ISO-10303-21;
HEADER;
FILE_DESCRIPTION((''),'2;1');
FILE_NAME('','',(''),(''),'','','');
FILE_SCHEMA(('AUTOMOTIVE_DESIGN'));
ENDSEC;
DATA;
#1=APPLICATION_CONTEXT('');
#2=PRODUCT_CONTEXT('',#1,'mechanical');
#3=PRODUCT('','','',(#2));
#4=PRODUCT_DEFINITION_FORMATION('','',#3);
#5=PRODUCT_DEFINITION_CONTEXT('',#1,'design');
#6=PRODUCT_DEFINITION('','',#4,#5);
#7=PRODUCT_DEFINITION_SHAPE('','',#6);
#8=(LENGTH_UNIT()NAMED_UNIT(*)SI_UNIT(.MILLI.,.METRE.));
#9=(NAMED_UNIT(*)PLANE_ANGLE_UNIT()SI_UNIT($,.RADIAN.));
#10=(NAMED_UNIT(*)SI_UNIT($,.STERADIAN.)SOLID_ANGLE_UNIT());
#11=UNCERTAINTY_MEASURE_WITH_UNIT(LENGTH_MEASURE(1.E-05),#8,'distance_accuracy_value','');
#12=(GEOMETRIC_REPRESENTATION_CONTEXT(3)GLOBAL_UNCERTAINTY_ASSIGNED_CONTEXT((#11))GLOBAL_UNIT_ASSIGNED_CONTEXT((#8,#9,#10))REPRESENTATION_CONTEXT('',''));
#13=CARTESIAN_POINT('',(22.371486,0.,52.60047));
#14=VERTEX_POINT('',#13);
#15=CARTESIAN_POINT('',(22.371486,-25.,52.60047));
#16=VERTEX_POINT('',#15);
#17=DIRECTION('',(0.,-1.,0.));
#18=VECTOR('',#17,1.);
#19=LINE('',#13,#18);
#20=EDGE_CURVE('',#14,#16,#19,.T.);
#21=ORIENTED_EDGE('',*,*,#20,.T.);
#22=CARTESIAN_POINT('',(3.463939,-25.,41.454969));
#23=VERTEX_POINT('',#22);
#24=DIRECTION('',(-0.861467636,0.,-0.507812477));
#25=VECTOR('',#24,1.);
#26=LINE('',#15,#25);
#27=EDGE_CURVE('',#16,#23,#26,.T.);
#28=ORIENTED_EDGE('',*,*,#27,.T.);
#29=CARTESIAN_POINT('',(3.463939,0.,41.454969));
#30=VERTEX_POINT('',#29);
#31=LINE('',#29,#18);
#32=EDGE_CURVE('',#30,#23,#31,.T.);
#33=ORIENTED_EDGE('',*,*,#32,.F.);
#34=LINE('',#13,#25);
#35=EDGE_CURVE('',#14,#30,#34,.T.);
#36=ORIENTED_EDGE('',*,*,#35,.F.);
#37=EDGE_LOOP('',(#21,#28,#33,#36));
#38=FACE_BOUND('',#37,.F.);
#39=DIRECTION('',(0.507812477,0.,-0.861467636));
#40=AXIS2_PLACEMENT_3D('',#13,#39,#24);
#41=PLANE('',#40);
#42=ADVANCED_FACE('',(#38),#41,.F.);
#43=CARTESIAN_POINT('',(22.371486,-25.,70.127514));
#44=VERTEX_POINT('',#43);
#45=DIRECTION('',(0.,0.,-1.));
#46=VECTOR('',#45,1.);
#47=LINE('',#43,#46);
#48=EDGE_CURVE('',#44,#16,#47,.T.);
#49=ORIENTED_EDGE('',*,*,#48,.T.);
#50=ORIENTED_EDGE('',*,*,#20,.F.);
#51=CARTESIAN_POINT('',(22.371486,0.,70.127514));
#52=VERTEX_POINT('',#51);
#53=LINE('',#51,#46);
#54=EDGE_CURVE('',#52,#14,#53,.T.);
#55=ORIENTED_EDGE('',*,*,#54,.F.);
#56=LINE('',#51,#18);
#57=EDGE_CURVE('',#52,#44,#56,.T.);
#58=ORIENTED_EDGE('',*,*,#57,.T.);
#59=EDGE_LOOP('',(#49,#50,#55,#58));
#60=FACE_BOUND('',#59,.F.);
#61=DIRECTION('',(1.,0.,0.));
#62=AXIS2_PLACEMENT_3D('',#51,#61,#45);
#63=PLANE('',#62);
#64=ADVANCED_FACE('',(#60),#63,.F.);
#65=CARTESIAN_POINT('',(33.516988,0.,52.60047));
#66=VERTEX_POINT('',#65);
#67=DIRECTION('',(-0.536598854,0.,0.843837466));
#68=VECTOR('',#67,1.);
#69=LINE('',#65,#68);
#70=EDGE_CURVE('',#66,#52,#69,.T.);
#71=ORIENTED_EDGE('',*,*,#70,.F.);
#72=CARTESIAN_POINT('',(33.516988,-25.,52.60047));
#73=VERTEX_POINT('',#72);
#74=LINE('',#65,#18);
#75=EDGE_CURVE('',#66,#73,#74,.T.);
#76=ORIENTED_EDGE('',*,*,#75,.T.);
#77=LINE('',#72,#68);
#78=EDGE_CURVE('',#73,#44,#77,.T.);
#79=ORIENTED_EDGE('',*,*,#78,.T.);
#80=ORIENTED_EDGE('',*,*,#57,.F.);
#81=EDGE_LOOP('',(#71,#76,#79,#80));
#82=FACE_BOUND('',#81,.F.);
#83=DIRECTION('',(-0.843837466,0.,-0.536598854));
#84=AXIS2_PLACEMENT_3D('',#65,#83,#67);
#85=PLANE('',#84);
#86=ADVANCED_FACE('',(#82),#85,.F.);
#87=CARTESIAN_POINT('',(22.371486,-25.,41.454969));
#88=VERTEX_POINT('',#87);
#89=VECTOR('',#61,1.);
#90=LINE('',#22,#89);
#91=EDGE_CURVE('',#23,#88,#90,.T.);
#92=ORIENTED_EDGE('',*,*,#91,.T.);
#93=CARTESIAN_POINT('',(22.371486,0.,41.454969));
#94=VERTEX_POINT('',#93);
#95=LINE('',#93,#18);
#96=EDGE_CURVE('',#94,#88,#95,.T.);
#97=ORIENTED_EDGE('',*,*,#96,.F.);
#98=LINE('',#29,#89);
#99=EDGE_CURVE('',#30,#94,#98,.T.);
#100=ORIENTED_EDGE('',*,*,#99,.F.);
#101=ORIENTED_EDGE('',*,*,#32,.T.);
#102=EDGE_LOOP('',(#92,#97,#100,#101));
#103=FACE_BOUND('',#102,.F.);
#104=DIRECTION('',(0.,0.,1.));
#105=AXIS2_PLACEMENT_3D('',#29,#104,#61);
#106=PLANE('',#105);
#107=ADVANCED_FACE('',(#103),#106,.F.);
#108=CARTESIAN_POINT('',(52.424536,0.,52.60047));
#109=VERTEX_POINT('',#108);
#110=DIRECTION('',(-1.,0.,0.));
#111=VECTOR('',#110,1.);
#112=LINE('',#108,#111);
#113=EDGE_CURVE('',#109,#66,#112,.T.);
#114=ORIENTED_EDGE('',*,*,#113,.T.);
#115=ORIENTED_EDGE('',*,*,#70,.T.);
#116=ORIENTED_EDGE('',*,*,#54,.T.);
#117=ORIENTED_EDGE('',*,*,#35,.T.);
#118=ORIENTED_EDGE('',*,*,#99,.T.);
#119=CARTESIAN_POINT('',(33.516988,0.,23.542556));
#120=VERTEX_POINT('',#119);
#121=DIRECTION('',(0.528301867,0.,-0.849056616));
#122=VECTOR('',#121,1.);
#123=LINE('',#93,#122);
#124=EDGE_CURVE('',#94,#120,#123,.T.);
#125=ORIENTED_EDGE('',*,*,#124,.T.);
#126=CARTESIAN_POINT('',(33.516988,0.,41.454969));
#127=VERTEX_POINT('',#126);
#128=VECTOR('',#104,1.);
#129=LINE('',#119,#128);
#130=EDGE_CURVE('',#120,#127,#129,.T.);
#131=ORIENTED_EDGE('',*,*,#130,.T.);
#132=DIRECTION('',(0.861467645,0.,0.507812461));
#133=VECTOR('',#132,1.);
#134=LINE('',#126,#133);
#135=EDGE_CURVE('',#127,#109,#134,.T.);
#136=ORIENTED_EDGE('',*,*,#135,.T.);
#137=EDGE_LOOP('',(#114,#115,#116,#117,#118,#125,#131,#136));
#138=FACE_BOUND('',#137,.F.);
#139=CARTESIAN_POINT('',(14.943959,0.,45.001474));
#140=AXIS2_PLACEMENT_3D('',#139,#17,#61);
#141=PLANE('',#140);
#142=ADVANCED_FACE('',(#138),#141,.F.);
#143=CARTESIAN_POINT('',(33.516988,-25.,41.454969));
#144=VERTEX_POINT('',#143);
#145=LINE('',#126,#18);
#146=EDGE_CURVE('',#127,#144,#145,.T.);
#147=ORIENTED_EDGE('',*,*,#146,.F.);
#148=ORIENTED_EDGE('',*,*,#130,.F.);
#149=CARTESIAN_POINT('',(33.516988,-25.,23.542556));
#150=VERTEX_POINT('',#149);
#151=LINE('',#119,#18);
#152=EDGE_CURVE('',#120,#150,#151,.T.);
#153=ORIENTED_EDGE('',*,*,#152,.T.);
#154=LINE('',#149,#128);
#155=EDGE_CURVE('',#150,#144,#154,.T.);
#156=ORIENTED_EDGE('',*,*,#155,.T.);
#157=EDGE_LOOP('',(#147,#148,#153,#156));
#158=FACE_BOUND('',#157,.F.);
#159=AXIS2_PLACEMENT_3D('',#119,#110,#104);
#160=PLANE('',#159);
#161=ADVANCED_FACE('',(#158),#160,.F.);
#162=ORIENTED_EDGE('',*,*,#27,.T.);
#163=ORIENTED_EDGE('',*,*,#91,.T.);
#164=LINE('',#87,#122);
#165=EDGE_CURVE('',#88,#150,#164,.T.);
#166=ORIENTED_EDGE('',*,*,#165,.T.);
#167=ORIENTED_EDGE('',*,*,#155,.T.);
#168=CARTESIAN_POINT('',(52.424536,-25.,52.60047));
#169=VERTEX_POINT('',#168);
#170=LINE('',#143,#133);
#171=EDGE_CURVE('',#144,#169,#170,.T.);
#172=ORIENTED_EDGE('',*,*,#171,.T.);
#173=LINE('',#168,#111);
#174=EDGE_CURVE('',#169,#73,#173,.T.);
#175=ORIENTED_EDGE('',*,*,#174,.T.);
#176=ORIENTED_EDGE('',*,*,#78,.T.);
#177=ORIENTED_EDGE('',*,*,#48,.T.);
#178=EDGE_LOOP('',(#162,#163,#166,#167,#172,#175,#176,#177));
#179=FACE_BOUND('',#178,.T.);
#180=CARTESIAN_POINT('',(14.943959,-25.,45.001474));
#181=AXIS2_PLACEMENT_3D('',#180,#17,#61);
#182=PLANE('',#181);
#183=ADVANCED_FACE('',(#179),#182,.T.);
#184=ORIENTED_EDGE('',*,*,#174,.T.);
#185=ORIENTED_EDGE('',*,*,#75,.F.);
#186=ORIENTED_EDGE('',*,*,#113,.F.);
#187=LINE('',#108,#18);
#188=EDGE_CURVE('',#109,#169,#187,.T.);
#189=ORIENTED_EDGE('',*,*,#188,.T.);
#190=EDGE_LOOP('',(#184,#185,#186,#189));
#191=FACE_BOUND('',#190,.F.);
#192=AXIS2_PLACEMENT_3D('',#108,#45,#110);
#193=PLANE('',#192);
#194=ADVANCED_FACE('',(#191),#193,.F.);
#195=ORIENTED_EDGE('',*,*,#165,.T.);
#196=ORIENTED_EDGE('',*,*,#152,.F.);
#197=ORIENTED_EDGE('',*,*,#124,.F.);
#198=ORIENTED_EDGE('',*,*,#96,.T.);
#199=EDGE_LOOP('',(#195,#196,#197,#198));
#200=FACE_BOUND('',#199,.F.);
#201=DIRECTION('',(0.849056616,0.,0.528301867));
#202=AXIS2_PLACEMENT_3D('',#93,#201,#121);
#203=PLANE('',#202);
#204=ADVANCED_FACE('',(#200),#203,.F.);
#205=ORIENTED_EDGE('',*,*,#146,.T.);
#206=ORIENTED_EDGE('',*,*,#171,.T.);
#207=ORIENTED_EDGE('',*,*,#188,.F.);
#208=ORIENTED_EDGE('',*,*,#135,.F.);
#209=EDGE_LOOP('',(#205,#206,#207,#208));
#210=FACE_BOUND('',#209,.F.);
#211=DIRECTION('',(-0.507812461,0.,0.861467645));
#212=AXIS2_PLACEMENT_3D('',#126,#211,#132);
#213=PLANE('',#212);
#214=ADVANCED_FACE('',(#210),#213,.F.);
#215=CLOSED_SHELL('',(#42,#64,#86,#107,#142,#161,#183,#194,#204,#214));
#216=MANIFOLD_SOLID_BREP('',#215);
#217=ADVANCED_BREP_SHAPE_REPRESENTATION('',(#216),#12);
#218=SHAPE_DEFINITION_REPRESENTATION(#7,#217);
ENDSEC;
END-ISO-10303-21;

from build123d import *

# Parameters (mm, degrees)
F0_W     = 11.1455010677
F0_H     = 11.1455010677
F1_DEPTH = 25


with BuildPart() as f1:
    # F0 (on Front) → F1 (new body)
    with BuildSketch(Plane.XZ):
        Polygon((3.4639391611, 41.4549691979), (22.3714864994, 41.4549691979), (22.3714864994, 52.6004702657), align=None)
        with Locations((27.9442370333, 47.0277197318)):
            Rectangle(F0_W, F0_H)
        Polygon((33.5169875672, 23.542555845), (33.5169875672, 41.4549691979), (22.3714864994, 41.4549691979), align=None)
        Polygon((33.5169875672, 52.6004702657), (33.5169875672, 41.4549691979), (52.4245357128, 52.6004702657), align=None)
        Polygon((22.3714864994, 52.6004702657), (33.5169875672, 52.6004702657), (22.3714864994, 70.1275136257), align=None)
    extrude(amount=F1_DEPTH)


solid = f1.part
